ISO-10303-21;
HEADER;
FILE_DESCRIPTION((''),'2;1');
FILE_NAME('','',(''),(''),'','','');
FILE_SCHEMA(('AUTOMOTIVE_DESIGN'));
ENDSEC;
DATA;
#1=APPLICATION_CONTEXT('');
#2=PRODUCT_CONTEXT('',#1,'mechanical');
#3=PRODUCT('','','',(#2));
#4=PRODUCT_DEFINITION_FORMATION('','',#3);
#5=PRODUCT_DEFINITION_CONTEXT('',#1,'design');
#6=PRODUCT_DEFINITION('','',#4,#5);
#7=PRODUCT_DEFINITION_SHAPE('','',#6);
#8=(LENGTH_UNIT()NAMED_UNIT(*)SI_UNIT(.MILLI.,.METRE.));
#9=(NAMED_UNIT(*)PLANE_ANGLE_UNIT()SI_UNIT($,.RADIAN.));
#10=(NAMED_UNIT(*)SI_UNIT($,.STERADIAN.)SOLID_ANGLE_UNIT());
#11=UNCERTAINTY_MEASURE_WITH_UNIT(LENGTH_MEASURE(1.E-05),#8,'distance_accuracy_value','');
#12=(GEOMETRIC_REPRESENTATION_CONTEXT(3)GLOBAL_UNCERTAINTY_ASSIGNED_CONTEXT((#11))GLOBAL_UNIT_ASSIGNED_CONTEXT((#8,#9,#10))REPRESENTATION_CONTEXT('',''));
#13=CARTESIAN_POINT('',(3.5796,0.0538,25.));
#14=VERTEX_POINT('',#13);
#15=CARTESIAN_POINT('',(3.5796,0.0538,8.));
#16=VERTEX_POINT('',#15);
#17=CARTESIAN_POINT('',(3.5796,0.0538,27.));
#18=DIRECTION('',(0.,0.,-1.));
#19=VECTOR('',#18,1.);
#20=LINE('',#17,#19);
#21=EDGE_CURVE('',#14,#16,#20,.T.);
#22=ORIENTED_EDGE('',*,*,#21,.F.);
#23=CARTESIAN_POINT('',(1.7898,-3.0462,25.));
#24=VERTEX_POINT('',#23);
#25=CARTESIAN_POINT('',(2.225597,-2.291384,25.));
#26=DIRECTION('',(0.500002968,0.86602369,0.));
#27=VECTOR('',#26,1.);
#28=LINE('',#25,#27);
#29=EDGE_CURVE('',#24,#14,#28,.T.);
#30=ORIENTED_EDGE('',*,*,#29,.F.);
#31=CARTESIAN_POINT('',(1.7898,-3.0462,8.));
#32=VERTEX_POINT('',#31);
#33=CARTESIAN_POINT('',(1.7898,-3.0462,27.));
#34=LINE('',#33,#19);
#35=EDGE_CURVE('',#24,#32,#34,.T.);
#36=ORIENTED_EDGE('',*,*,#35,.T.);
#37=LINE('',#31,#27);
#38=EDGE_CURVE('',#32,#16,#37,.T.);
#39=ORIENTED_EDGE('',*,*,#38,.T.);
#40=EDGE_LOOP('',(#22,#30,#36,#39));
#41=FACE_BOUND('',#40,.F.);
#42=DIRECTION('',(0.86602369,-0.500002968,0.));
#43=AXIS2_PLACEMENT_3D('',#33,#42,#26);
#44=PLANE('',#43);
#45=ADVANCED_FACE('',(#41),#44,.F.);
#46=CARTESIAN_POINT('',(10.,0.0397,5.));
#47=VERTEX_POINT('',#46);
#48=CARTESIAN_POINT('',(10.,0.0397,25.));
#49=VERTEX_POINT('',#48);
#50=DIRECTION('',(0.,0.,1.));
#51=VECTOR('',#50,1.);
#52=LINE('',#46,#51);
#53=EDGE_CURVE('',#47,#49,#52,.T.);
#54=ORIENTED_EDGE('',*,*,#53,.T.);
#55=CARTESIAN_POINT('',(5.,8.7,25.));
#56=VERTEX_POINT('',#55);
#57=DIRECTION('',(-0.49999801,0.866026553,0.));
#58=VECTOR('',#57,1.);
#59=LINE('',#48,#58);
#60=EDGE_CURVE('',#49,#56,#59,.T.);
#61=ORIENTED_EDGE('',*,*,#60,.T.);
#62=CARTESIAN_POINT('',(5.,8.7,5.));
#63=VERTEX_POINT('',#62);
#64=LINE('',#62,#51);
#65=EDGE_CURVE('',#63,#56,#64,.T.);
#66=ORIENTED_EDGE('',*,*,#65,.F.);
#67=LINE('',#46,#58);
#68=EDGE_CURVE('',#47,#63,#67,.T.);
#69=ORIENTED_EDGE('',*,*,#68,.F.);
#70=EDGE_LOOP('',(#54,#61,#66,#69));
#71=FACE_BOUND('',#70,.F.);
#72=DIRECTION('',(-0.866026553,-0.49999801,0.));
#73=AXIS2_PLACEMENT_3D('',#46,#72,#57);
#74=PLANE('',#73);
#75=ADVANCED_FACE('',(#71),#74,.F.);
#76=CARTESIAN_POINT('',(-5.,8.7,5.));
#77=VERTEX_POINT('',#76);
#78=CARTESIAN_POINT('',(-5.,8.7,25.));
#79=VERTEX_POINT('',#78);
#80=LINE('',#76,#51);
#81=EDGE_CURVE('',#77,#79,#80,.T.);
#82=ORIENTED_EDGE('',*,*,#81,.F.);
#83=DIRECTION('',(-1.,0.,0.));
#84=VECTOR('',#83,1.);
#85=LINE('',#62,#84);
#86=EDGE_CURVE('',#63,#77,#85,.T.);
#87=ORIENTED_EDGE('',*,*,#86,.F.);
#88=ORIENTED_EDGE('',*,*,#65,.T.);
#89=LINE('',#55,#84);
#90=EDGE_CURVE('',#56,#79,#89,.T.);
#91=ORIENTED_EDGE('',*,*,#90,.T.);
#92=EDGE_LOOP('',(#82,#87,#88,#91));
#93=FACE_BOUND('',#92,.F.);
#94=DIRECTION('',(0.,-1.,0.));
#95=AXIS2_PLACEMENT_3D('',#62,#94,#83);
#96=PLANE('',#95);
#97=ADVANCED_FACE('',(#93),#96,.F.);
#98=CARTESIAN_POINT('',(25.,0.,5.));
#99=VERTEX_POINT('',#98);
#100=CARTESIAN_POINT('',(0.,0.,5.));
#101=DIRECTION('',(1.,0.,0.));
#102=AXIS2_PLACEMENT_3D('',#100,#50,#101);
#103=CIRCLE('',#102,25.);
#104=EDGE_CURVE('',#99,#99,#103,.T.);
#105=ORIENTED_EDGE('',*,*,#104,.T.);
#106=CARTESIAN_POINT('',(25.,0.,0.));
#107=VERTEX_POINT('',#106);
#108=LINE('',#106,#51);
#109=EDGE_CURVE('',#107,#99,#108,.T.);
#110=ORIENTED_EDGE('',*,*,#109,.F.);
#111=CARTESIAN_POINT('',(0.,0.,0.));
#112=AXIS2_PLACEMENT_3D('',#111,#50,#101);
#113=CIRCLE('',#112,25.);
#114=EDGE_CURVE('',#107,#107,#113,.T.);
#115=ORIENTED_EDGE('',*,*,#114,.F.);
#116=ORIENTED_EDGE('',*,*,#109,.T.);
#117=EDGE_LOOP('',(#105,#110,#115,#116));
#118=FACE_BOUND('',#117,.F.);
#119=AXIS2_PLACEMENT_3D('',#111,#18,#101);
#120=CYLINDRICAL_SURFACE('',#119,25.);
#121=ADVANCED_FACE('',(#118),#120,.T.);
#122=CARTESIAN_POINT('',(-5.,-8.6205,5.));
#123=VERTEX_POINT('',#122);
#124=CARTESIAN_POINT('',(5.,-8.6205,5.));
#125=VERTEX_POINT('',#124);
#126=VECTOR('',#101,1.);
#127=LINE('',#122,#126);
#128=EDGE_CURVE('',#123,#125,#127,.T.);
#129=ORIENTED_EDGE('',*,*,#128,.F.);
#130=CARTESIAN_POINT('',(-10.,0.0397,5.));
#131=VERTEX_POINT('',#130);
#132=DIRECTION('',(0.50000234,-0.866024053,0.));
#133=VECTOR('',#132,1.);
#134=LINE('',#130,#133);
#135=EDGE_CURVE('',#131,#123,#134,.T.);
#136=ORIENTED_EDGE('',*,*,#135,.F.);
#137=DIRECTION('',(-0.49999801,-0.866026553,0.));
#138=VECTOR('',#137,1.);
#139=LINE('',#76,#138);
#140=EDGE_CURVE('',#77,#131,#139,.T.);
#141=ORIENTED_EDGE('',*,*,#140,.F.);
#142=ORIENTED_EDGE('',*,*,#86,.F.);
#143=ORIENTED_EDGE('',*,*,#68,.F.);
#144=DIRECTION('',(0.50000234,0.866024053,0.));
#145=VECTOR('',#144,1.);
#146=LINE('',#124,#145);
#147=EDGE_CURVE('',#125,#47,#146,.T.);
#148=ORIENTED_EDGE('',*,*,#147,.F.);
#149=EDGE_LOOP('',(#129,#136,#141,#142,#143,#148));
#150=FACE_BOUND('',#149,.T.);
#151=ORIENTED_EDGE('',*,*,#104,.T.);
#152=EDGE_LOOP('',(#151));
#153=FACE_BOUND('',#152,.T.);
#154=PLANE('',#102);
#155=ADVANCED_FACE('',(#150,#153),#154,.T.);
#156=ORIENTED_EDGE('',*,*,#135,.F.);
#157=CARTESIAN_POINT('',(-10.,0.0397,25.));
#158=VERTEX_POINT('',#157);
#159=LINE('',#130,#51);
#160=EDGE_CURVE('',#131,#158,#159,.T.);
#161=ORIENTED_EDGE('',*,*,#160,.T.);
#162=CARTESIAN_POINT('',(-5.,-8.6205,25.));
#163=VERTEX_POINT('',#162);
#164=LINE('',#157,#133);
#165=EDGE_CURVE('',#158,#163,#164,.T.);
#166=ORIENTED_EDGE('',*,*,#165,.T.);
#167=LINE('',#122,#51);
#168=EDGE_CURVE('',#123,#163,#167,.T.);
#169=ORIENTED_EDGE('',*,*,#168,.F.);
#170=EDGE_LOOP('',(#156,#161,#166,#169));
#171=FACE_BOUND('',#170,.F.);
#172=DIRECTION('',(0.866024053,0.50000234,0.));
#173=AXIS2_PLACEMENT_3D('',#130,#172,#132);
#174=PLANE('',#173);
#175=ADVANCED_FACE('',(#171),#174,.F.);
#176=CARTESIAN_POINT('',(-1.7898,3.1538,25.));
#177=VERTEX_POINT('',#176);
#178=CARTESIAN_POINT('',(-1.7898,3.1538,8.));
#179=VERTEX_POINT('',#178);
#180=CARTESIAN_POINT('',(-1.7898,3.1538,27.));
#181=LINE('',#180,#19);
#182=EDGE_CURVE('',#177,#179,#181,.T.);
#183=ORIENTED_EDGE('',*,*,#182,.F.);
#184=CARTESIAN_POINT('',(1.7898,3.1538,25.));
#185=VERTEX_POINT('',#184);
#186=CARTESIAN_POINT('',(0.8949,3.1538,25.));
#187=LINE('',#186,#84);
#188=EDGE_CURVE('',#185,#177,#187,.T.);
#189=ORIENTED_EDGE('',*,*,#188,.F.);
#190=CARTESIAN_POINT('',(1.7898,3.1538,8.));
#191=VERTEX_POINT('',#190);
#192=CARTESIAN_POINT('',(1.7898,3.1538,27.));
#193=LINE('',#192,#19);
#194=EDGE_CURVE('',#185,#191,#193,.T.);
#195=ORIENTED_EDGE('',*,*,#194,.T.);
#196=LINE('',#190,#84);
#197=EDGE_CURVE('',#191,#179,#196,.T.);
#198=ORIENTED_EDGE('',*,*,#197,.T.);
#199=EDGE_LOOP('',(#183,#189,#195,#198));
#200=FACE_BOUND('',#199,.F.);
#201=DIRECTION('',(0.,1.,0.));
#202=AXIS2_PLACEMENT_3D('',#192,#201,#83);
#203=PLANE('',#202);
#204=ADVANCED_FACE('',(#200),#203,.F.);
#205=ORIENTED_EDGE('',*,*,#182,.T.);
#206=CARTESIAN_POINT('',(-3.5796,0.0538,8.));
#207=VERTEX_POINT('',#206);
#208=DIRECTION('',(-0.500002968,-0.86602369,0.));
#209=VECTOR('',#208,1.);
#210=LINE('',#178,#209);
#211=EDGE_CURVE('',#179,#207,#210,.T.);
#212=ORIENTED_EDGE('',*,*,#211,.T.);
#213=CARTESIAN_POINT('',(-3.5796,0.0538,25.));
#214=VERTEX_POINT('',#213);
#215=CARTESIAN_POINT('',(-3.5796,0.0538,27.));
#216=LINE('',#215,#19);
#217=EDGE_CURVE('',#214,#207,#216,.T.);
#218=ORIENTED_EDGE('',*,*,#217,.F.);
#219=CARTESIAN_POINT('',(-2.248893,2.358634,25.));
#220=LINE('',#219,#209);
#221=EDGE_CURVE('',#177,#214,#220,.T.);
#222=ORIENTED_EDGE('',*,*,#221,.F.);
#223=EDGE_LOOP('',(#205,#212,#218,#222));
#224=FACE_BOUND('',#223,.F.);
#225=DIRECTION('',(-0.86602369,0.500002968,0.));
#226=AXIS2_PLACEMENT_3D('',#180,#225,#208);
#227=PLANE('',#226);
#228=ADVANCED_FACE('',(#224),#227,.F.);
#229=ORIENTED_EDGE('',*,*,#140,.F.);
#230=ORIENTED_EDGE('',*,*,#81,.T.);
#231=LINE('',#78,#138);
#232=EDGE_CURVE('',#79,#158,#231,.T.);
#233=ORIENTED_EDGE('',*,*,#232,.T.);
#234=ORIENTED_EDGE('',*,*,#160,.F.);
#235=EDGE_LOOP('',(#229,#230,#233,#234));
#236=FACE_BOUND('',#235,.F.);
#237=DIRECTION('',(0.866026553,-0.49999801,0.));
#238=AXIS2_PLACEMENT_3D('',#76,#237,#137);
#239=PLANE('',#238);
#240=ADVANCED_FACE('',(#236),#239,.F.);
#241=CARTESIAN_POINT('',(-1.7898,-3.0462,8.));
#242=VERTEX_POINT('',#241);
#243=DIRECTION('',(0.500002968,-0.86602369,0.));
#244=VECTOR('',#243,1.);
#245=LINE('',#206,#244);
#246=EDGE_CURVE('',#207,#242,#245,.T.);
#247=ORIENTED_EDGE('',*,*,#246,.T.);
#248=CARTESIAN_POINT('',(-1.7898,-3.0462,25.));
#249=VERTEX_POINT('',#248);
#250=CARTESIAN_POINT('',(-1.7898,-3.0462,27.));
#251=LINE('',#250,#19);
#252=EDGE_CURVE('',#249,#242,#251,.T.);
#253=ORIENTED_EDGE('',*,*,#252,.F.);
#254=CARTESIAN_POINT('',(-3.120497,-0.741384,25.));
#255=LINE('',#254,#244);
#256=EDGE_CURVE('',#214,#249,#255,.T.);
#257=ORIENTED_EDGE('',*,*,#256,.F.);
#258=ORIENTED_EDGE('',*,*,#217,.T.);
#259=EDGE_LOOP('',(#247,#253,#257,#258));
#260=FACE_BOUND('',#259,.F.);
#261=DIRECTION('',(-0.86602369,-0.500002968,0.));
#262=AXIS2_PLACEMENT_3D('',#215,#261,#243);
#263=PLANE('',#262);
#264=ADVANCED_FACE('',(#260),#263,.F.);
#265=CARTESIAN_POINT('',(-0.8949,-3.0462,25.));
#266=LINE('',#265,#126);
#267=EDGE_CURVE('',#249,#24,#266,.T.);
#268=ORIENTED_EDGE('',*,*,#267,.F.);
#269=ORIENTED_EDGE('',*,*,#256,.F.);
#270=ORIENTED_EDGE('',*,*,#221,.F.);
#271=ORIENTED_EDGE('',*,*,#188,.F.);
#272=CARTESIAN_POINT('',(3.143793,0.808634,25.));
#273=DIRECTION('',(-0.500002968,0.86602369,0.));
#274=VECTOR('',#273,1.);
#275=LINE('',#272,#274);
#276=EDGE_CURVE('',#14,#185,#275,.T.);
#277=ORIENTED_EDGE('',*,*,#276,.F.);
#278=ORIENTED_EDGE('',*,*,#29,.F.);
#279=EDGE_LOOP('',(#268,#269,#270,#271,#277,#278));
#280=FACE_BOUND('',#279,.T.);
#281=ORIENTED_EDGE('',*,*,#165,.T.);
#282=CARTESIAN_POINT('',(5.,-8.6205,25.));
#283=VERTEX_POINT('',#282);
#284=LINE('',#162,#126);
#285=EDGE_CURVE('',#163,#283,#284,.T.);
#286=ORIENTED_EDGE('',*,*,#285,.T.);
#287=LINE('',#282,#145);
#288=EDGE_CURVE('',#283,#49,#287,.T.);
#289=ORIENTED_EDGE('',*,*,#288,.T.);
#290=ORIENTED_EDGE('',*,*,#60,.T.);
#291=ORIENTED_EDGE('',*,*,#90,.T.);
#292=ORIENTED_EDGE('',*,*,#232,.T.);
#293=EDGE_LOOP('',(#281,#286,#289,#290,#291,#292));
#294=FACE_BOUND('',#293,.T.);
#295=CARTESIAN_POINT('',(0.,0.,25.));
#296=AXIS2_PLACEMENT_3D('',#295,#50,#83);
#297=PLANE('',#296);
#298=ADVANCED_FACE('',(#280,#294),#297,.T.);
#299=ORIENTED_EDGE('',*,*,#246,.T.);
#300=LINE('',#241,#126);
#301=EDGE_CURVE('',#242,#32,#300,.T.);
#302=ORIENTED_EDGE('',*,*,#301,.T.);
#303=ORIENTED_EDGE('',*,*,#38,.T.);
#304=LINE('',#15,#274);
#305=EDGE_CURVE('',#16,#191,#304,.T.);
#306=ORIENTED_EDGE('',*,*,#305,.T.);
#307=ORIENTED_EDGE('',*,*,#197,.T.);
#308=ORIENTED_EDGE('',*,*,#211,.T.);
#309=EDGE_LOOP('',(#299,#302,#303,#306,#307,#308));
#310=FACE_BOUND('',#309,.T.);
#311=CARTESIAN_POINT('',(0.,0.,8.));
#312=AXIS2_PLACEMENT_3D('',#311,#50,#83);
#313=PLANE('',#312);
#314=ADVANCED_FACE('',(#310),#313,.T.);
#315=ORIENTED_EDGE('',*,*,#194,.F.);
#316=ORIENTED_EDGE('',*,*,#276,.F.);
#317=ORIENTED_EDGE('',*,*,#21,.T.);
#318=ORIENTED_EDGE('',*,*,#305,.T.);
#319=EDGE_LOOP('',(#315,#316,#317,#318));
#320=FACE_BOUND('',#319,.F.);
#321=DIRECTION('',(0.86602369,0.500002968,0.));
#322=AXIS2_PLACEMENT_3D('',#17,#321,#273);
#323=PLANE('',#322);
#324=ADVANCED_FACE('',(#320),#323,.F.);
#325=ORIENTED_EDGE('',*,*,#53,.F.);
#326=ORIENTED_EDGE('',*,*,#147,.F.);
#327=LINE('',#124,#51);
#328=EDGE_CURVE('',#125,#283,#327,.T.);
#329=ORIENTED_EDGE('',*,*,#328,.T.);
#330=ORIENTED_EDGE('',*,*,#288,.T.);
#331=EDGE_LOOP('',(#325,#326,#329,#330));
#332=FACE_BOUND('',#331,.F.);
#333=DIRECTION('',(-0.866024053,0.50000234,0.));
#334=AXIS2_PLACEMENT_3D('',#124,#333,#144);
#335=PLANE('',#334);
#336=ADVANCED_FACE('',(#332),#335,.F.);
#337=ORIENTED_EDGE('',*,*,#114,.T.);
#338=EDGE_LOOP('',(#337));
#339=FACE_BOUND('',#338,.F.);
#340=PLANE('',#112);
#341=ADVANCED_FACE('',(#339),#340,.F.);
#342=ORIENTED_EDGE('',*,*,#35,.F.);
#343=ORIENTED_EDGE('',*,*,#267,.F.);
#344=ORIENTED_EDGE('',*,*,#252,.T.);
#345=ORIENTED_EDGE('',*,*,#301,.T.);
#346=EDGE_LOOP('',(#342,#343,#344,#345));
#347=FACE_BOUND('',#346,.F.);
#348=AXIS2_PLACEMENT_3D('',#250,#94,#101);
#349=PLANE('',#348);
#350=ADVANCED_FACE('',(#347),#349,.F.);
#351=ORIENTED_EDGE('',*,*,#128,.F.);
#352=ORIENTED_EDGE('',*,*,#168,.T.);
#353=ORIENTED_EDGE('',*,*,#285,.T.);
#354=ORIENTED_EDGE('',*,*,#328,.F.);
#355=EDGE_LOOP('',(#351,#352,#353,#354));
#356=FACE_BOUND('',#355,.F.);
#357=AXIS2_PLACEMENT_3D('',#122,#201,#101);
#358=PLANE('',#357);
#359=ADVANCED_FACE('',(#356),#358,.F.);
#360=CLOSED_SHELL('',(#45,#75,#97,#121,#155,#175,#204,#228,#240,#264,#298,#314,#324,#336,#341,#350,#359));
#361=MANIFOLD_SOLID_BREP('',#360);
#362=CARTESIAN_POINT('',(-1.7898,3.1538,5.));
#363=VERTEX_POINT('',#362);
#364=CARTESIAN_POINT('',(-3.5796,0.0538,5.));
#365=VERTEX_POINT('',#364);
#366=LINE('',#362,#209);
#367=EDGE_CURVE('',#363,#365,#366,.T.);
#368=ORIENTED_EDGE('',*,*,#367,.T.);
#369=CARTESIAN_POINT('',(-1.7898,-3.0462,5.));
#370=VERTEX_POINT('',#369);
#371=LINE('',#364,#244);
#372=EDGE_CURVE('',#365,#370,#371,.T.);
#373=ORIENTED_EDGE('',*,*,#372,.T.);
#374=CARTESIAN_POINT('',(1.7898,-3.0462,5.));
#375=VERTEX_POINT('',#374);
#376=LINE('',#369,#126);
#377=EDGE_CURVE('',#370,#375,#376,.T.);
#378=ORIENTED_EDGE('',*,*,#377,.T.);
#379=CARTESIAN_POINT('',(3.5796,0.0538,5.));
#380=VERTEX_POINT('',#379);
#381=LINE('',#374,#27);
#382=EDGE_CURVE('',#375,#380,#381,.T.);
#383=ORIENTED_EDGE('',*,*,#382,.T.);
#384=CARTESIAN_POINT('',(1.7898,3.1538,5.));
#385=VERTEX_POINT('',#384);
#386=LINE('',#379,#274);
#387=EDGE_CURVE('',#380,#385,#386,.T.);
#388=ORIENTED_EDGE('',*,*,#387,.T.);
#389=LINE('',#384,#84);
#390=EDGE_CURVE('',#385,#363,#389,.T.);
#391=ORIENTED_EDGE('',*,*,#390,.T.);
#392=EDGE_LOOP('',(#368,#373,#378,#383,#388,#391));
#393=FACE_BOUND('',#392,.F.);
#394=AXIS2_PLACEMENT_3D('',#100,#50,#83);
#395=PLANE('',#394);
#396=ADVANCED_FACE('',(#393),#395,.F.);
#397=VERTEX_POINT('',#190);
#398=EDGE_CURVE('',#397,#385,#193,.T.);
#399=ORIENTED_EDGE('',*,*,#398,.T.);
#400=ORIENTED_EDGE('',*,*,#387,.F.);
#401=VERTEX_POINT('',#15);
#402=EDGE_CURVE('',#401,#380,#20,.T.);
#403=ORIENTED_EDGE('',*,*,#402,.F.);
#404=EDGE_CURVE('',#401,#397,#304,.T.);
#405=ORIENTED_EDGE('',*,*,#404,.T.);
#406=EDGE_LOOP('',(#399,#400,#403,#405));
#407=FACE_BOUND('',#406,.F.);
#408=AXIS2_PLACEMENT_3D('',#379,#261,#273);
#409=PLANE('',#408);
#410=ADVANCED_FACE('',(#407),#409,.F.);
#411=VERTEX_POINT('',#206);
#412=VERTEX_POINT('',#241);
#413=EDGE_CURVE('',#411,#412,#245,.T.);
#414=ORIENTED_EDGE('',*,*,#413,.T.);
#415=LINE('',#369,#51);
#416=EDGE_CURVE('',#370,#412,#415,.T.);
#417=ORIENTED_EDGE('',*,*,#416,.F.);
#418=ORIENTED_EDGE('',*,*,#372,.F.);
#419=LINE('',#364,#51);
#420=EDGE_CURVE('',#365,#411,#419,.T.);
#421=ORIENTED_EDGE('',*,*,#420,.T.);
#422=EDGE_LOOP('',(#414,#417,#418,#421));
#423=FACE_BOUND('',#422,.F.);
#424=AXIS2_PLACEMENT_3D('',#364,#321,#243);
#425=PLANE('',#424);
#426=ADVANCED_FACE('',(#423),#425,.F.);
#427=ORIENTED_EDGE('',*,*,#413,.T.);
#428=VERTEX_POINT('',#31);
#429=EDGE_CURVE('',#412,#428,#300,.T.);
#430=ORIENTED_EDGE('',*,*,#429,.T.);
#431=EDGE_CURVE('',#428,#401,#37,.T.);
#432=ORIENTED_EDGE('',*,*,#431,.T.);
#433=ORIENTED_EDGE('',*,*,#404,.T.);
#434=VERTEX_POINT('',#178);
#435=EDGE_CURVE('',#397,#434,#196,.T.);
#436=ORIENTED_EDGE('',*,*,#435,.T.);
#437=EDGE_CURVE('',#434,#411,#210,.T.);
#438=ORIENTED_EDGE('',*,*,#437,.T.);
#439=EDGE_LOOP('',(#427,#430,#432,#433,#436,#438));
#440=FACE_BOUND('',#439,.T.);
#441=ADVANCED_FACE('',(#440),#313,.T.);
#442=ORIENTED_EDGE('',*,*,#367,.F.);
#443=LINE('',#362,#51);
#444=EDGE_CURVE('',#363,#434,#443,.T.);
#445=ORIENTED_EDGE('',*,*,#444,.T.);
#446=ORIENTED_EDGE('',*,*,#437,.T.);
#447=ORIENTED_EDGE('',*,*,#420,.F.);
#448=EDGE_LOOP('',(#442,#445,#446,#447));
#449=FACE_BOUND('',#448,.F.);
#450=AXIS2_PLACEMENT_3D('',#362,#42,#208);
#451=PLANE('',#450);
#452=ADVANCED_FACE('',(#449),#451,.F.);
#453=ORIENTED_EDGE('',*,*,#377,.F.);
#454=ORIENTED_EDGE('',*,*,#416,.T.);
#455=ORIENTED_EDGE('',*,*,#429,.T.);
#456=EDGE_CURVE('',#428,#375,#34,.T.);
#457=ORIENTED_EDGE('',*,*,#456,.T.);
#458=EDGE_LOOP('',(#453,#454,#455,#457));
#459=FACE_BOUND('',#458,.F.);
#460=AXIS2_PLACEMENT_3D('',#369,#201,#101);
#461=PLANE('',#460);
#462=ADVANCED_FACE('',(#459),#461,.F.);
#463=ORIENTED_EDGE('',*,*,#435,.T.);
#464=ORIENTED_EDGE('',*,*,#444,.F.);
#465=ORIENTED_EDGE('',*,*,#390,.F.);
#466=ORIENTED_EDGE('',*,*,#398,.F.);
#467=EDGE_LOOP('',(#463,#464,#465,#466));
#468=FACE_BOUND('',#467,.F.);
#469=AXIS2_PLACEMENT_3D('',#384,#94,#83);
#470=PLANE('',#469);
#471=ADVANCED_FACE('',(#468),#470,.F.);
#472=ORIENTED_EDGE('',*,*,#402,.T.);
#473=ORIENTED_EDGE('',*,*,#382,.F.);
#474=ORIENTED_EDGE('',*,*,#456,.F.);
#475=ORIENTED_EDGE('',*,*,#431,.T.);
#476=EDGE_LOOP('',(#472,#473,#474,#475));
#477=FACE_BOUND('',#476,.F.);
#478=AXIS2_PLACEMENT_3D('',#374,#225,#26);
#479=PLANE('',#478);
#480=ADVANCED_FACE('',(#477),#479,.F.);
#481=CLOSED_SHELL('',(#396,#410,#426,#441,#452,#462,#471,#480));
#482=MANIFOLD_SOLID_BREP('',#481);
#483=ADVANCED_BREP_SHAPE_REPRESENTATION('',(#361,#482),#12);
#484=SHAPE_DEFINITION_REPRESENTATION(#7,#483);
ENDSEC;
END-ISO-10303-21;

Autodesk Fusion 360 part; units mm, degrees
sketch "Sketch1" plane through (0, 0, 0) normal (0, 0, 1) x (1, 0, 0)
  circle A0 centre (0, 0) radius 25
  dimension "d1" = 50
extrude "Extrude1" add sketch "Sketch1" along normal blind 5 makes body 1
sketch "Sketch2" plane through (0, 0, 5) normal (0, 0, 1) x (-1, 0, 0)
  circle A0 centre (0, 0) radius 25
  line L0 (5, -8.7) -> (10, -0.0397)
  line L1 (10, -0.0397) -> (5, 8.6205)
  line L2 (5, 8.6205) -> (-5, 8.6205)
  line L3 (-5, 8.6205) -> (-10, -0.0397)
  line L4 (-10, -0.0397) -> (-5, -8.7)
  line L5 (-5, -8.7) -> (5, -8.7)
  point P0 (0, -0.0397)
extrude "Extrude2" add sketch "Sketch2" along normal blind 20 contours L0 L1 L2 L3 L4 L5 bodies 1
sketch "Sketch3" plane through (0, 0, 5) normal (0, 0, 1) x (-1, 0, 0)
  line L0 (1.7898, -3.1538) -> (3.5796, -0.0538)
  line L1 (3.5796, -0.0538) -> (1.7898, 3.0462)
  line L2 (1.7898, 3.0462) -> (-1.7898, 3.0462)
  line L3 (-1.7898, 3.0462) -> (-3.5796, -0.0538)
  line L4 (-3.5796, -0.0538) -> (-1.7898, -3.1538)
  line L5 (-1.7898, -3.1538) -> (1.7898, -3.1538)
  point P0 (0, -0.0538)
  dimension "d6" = 6.2
extrude "Extrude3" add sketch "Sketch3" along normal blind 14 separate body makes body 2
extrude "Extrude4" add 1 faces at (-0.5966, -0.9795, 19) along direction (0, 0, 1) blind 8 on bodies 2 bodies 2
extrude "Extrude5" cut 1 faces at (-0.5966, -0.9795, 27) along direction (0, 0, -1) blind 19 on bodies 2 bodies 1 2
